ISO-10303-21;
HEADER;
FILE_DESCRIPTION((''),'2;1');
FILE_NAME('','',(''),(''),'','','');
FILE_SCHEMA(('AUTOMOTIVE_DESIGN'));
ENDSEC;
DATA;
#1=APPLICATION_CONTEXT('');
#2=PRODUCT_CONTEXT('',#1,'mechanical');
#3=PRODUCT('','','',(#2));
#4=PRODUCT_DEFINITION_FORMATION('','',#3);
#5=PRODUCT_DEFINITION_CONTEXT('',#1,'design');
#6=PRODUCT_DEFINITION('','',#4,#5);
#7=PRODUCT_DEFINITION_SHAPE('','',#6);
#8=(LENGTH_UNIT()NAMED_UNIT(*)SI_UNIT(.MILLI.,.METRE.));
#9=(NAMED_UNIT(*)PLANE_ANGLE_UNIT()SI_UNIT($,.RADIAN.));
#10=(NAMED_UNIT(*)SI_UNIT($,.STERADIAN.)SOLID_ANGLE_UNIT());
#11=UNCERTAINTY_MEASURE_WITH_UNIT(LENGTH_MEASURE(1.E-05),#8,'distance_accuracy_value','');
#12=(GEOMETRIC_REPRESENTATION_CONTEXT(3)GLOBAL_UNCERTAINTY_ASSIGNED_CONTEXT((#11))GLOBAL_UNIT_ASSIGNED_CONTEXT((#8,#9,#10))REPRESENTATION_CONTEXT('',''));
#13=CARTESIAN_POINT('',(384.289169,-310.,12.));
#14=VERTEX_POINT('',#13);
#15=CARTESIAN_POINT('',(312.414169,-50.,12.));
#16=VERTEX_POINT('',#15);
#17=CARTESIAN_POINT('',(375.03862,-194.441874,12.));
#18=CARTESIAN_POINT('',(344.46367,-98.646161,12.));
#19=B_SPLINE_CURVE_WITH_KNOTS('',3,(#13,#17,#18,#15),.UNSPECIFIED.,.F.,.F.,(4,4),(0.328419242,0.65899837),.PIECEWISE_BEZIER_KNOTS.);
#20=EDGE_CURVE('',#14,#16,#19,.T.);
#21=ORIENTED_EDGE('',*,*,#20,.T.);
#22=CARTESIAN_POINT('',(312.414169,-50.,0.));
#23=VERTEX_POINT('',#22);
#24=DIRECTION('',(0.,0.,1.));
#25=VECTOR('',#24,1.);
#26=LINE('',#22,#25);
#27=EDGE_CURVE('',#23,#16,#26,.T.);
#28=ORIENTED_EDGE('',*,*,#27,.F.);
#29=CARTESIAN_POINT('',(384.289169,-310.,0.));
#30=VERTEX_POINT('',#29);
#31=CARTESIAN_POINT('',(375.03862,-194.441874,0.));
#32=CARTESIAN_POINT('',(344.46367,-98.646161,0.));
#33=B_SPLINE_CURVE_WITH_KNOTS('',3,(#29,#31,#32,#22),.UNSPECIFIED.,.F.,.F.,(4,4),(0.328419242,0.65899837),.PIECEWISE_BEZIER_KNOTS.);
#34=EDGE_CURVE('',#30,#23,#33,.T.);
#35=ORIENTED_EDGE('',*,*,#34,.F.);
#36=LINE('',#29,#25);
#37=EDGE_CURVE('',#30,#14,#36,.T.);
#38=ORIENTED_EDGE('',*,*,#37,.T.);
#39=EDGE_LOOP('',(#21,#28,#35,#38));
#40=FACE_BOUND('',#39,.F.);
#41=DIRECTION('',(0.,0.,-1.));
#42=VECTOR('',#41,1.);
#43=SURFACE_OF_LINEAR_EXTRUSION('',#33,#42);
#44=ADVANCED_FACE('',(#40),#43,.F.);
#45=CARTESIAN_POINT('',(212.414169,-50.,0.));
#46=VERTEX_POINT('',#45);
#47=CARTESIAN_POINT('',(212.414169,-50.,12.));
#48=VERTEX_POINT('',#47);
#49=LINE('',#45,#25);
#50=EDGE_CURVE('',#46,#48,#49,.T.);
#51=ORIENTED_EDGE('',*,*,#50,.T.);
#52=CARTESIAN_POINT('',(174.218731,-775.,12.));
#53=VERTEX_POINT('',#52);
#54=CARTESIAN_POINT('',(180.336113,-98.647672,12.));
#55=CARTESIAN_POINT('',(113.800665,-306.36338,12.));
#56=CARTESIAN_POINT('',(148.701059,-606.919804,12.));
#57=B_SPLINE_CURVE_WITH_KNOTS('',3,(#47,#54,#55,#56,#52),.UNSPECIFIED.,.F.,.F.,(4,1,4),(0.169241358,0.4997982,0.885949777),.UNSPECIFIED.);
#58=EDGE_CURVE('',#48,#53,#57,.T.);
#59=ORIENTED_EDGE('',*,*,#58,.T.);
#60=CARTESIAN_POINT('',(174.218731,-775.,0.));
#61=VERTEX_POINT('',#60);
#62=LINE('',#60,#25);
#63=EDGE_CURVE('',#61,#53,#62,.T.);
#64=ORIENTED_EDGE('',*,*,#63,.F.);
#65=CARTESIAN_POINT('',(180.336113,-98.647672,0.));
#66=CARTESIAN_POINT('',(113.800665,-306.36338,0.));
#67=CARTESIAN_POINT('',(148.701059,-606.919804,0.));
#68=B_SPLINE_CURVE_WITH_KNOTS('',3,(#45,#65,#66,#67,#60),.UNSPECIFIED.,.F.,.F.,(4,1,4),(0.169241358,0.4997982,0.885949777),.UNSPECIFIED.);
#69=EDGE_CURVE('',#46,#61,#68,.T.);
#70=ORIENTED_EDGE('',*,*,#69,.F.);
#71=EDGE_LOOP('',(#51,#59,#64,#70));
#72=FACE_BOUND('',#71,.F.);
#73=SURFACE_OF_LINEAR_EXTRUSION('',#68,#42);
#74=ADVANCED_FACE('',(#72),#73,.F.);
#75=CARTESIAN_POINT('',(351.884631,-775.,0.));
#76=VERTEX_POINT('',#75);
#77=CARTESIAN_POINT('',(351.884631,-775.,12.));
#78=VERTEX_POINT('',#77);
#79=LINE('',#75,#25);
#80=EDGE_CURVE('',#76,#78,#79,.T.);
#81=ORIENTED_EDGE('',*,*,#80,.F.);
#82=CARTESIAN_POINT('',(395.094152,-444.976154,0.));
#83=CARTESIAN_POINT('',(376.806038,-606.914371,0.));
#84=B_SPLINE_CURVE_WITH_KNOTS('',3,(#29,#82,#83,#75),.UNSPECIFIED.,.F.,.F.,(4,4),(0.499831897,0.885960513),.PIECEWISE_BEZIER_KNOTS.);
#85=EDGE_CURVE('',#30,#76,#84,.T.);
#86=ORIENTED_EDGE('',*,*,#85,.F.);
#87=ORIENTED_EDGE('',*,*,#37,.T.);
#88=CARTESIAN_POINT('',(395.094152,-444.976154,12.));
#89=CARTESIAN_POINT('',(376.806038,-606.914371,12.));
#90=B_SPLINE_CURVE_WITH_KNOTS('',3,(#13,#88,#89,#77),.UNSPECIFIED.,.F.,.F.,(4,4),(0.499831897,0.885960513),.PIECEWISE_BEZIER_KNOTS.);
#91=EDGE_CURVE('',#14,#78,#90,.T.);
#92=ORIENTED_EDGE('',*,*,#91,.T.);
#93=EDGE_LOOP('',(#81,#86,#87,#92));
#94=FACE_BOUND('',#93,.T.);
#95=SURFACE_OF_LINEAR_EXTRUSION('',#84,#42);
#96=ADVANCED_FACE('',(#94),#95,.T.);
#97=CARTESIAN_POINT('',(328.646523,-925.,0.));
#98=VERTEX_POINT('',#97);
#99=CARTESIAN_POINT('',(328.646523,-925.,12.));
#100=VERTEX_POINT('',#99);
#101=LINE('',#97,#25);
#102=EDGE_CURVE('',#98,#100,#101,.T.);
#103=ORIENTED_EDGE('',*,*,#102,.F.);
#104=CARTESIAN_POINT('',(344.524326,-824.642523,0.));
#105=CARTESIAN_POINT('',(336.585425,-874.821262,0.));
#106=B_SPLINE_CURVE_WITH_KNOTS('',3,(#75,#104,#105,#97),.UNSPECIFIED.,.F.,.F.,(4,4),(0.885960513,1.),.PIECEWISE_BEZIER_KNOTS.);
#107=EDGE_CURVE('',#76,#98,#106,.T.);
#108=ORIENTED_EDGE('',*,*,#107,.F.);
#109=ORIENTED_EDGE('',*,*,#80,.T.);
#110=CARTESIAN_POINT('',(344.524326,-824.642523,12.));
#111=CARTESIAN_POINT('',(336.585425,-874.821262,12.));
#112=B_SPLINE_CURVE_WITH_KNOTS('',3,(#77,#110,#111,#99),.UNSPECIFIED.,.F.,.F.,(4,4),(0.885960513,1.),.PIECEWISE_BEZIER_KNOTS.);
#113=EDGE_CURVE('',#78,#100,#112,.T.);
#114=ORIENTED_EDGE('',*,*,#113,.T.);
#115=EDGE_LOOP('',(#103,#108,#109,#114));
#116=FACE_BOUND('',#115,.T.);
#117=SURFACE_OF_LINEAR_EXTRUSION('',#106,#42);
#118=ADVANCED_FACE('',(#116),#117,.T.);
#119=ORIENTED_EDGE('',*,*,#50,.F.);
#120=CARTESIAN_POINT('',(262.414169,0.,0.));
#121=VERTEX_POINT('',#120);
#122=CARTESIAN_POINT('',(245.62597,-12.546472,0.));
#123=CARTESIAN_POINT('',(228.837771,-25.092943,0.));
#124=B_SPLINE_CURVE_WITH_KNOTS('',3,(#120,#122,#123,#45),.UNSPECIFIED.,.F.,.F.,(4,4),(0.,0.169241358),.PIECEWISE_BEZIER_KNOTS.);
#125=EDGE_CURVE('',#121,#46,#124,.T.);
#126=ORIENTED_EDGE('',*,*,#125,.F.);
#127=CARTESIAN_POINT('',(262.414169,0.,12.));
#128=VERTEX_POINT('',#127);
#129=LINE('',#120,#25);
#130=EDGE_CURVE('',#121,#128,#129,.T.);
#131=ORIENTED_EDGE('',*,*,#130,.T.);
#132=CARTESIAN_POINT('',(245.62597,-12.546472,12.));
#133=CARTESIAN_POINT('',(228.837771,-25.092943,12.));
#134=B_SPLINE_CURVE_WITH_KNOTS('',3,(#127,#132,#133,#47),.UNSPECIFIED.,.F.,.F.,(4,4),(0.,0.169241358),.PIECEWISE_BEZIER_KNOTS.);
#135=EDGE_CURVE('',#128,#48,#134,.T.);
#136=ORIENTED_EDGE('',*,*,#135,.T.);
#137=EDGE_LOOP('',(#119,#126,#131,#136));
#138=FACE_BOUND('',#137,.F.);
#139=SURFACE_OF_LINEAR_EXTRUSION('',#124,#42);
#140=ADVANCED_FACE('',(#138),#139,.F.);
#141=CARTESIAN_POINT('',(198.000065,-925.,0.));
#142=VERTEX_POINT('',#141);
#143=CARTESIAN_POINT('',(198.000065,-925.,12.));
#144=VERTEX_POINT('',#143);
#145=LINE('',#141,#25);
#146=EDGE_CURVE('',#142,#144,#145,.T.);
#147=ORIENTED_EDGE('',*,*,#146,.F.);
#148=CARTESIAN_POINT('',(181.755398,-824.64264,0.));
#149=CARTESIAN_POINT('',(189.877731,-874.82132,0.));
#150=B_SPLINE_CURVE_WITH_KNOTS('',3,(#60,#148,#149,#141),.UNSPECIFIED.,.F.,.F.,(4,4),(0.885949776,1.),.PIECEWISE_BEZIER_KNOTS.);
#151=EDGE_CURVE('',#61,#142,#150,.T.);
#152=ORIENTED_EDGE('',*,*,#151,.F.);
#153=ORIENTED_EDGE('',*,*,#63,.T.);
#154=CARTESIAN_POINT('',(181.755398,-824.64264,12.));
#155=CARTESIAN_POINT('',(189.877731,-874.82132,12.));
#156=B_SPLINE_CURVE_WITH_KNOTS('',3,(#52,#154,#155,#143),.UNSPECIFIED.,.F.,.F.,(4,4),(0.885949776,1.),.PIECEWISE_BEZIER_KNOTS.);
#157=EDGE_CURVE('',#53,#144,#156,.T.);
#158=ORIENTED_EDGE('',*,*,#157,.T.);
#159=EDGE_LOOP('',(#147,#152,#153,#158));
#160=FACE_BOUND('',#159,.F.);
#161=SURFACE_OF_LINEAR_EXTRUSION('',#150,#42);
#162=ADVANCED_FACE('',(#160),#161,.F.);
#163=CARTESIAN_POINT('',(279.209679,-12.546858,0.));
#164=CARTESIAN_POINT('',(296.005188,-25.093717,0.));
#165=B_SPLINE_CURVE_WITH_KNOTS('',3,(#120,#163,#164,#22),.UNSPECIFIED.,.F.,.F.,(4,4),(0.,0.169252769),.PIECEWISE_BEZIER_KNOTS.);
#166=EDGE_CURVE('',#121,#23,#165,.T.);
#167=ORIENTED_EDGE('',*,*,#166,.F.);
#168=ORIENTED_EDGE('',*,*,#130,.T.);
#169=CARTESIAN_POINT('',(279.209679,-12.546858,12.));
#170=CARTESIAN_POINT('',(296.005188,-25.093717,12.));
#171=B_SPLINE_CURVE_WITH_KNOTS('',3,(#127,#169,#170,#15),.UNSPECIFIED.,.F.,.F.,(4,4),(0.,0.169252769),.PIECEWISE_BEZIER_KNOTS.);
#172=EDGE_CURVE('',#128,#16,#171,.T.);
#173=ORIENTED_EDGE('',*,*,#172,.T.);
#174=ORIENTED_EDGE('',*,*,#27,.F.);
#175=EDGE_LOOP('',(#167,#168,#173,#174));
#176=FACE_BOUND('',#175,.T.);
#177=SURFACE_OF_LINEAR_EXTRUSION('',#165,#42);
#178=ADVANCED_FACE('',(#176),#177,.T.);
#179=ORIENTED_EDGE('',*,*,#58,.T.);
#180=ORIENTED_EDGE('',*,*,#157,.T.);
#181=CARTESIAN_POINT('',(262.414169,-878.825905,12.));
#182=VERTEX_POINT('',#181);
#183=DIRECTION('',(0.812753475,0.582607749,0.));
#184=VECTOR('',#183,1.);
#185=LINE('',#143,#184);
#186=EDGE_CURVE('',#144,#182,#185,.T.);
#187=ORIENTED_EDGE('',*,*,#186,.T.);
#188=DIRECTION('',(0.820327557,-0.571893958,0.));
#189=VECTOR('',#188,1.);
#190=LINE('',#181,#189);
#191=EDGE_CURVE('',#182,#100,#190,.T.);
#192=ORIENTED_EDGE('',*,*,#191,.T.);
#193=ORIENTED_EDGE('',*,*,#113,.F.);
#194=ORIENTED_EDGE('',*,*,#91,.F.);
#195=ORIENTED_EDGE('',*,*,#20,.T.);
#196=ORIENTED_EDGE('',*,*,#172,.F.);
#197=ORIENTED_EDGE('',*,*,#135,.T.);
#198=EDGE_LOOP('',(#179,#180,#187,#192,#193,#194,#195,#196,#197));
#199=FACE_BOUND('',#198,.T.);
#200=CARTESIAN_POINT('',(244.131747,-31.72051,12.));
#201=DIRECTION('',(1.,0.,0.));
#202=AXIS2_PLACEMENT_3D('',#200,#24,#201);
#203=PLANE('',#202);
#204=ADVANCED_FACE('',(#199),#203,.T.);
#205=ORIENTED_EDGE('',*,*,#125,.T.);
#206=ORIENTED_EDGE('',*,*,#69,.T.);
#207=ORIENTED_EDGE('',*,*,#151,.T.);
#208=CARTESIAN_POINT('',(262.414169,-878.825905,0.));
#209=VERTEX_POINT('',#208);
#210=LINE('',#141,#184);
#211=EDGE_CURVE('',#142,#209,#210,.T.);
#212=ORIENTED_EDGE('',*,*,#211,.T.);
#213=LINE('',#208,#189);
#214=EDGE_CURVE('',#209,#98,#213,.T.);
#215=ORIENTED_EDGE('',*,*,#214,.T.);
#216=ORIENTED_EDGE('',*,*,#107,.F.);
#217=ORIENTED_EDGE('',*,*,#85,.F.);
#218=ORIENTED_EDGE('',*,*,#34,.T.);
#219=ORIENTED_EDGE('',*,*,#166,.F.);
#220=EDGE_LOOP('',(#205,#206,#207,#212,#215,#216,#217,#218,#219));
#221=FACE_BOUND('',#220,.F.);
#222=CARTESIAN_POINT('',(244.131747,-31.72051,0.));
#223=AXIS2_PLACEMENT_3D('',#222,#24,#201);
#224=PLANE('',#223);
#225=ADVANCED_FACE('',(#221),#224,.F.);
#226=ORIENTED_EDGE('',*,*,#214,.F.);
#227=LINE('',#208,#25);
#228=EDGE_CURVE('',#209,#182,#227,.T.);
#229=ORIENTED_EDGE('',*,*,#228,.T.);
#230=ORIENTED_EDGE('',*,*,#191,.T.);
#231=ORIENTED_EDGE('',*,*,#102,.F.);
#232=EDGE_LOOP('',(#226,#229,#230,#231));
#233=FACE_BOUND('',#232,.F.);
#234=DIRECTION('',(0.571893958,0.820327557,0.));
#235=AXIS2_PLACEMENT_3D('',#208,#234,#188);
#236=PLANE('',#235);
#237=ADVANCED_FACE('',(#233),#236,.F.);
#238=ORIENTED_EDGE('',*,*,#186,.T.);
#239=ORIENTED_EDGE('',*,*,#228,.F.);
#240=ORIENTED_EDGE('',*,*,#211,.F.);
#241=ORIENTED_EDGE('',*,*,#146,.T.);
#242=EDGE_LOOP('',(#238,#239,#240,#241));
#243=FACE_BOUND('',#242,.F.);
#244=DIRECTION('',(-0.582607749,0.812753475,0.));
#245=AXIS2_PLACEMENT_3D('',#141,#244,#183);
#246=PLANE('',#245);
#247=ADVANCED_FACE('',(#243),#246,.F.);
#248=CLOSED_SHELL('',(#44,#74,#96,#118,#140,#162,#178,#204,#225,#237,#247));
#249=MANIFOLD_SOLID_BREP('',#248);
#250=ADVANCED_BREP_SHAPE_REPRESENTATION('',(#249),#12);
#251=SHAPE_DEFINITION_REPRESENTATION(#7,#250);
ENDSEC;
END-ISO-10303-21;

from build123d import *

# Parameters (mm, degrees)
F1_DEPTH = 12


with BuildPart() as f1:
    # F0 (on Top) → F1 (new body)
    with BuildSketch(Plane.XY):
        with BuildLine():
            Line((262.4141693115, -50), (262.4141693115, 0))
            add(Edge.make_bspline(
                [(262.4141693115, 0), (245.6259699222, -12.5464715734), (228.837770533, -25.0929431469), (212.4141693115, -50)],
                knots=[0, 0, 0, 0, 0.1692413583, 0.1692413583, 0.1692413583, 0.1692413583], degree=3))
            Line((212.4141693115, -50), (262.4141693115, -50))
        make_face()
        with BuildLine():
            add(Edge.make_bspline(
                [(262.4141693115, 0), (279.2096785503, -12.546858298), (296.005187789, -25.093716596), (312.4141693115, -50)],
                knots=[0, 0, 0, 0, 0.169252769, 0.169252769, 0.169252769, 0.169252769], degree=3))
            Line((262.4141693115, 0), (262.4141693115, -50))
            Line((262.4141693115, -50), (312.4141693115, -50))
        make_face()
        with BuildLine():
            Line((262.4141693115, -150), (262.4141693115, -50))
            Line((262.4141693115, -50), (212.4141693115, -50))
            add(Edge.make_bspline(
                [(212.4141693115, -50), (196.9697002814, -73.4221632036), (181.8476525057, -107.7750324908), (169.3009969615, -150)],
                knots=[0.1692413583, 0.1692413583, 0.1692413583, 0.1692413583, 0.328392989, 0.328392989, 0.328392989, 0.328392989], degree=3))
            Line((169.3009969615, -150), (262.4141693115, -150))
        make_face()
        with BuildLine():
            Line((312.4141693115, -50), (262.4141693115, -50))
            Line((262.4141693115, -50), (262.4141693115, -150))
            Line((262.4141693115, -150), (355.4664618645, -150))
            add(Edge.make_bspline(
                [(312.4141693115, -50), (327.8452888347, -73.422040884), (342.9345767174, -107.7743265618), (355.4664618645, -150)],
                knots=[0.169252769, 0.169252769, 0.169252769, 0.169252769, 0.3284192416, 0.3284192416, 0.3284192416, 0.3284192416], degree=3))
        make_face()
        with BuildLine():
            Line((262.4141693115, -775), (262.4141693115, -310))
            Line((262.4141693115, -310), (140.5391693115, -310))
            add(Edge.make_bspline(
                [(140.5391693115, -310), (129.8972583238, -444.9845817446), (148.7010593064, -606.9198043189), (174.218730631, -775)],
                knots=[0.4997981996, 0.4997981996, 0.4997981996, 0.4997981996, 0.8859497764, 0.8859497764, 0.8859497764, 0.8859497764], degree=3))
            Line((174.218730631, -775), (262.4141693115, -775))
        make_face()
        with BuildLine():
            Line((384.2891693115, -310), (262.4141693115, -310))
            Line((262.4141693115, -310), (262.4141693115, -775))
            Line((262.4141693115, -775), (351.8846313691, -775))
            add(Edge.make_bspline(
                [(384.2891693115, -310), (395.0941520358, -444.9761542679), (376.8060383996, -606.9143707938), (351.8846313691, -775)],
                knots=[0.4998318974, 0.4998318974, 0.4998318974, 0.4998318974, 0.8859605134, 0.8859605134, 0.8859605134, 0.8859605134], degree=3))
        make_face()
        with BuildLine():
            Line((262.4141693115, -878.8259045601), (262.4141693115, -775))
            Line((262.4141693115, -775), (174.218730631, -775))
            add(Edge.make_bspline(
                [(174.218730631, -775), (181.7553983373, -824.6426404571), (189.8777314962, -874.8213202285), (198.000064655, -925)],
                knots=[0.8859497764, 0.8859497764, 0.8859497764, 0.8859497764, 1, 1, 1, 1], degree=3))
            Line((198.000064655, -925), (262.4141693115, -878.8259045601))
        make_face()
        with BuildLine():
            Line((351.8846313691, -775), (262.4141693115, -775))
            Line((262.4141693115, -775), (262.4141693115, -878.8259045601))
            Line((262.4141693115, -878.8259045601), (328.6465229342, -925))
            add(Edge.make_bspline(
                [(351.8846313691, -775), (344.5243261657, -824.6425233831), (336.5854245499, -874.8212616915), (328.6465229342, -925)],
                knots=[0.8859605134, 0.8859605134, 0.8859605134, 0.8859605134, 1, 1, 1, 1], degree=3))
        make_face()
        with BuildLine():
            Line((262.4141693115, -310), (262.4141693115, -150))
            Line((262.4141693115, -150), (169.3009969615, -150))
            add(Edge.make_bspline(
                [(169.3009969615, -150), (155.7883353146, -195.4759993204), (145.262907614, -250.0829569271), (140.5391693115, -310)],
                knots=[0.328392989, 0.328392989, 0.328392989, 0.328392989, 0.4997981996, 0.4997981996, 0.4997981996, 0.4997981996], degree=3))
            Line((140.5391693115, -310), (262.4141693115, -310))
        make_face()
        with BuildLine():
            Line((355.4664618645, -150), (262.4141693115, -150))
            Line((262.4141693115, -150), (262.4141693115, -310))
            Line((262.4141693115, -310), (384.2891693115, -310))
            add(Edge.make_bspline(
                [(355.4664618645, -150), (368.9625435455, -195.4744941456), (379.4925530873, -250.0805324753), (384.2891693115, -310)],
                knots=[0.3284192416, 0.3284192416, 0.3284192416, 0.3284192416, 0.4998318974, 0.4998318974, 0.4998318974, 0.4998318974], degree=3))
        make_face()
    extrude(amount=F1_DEPTH)


solid = f1.part
